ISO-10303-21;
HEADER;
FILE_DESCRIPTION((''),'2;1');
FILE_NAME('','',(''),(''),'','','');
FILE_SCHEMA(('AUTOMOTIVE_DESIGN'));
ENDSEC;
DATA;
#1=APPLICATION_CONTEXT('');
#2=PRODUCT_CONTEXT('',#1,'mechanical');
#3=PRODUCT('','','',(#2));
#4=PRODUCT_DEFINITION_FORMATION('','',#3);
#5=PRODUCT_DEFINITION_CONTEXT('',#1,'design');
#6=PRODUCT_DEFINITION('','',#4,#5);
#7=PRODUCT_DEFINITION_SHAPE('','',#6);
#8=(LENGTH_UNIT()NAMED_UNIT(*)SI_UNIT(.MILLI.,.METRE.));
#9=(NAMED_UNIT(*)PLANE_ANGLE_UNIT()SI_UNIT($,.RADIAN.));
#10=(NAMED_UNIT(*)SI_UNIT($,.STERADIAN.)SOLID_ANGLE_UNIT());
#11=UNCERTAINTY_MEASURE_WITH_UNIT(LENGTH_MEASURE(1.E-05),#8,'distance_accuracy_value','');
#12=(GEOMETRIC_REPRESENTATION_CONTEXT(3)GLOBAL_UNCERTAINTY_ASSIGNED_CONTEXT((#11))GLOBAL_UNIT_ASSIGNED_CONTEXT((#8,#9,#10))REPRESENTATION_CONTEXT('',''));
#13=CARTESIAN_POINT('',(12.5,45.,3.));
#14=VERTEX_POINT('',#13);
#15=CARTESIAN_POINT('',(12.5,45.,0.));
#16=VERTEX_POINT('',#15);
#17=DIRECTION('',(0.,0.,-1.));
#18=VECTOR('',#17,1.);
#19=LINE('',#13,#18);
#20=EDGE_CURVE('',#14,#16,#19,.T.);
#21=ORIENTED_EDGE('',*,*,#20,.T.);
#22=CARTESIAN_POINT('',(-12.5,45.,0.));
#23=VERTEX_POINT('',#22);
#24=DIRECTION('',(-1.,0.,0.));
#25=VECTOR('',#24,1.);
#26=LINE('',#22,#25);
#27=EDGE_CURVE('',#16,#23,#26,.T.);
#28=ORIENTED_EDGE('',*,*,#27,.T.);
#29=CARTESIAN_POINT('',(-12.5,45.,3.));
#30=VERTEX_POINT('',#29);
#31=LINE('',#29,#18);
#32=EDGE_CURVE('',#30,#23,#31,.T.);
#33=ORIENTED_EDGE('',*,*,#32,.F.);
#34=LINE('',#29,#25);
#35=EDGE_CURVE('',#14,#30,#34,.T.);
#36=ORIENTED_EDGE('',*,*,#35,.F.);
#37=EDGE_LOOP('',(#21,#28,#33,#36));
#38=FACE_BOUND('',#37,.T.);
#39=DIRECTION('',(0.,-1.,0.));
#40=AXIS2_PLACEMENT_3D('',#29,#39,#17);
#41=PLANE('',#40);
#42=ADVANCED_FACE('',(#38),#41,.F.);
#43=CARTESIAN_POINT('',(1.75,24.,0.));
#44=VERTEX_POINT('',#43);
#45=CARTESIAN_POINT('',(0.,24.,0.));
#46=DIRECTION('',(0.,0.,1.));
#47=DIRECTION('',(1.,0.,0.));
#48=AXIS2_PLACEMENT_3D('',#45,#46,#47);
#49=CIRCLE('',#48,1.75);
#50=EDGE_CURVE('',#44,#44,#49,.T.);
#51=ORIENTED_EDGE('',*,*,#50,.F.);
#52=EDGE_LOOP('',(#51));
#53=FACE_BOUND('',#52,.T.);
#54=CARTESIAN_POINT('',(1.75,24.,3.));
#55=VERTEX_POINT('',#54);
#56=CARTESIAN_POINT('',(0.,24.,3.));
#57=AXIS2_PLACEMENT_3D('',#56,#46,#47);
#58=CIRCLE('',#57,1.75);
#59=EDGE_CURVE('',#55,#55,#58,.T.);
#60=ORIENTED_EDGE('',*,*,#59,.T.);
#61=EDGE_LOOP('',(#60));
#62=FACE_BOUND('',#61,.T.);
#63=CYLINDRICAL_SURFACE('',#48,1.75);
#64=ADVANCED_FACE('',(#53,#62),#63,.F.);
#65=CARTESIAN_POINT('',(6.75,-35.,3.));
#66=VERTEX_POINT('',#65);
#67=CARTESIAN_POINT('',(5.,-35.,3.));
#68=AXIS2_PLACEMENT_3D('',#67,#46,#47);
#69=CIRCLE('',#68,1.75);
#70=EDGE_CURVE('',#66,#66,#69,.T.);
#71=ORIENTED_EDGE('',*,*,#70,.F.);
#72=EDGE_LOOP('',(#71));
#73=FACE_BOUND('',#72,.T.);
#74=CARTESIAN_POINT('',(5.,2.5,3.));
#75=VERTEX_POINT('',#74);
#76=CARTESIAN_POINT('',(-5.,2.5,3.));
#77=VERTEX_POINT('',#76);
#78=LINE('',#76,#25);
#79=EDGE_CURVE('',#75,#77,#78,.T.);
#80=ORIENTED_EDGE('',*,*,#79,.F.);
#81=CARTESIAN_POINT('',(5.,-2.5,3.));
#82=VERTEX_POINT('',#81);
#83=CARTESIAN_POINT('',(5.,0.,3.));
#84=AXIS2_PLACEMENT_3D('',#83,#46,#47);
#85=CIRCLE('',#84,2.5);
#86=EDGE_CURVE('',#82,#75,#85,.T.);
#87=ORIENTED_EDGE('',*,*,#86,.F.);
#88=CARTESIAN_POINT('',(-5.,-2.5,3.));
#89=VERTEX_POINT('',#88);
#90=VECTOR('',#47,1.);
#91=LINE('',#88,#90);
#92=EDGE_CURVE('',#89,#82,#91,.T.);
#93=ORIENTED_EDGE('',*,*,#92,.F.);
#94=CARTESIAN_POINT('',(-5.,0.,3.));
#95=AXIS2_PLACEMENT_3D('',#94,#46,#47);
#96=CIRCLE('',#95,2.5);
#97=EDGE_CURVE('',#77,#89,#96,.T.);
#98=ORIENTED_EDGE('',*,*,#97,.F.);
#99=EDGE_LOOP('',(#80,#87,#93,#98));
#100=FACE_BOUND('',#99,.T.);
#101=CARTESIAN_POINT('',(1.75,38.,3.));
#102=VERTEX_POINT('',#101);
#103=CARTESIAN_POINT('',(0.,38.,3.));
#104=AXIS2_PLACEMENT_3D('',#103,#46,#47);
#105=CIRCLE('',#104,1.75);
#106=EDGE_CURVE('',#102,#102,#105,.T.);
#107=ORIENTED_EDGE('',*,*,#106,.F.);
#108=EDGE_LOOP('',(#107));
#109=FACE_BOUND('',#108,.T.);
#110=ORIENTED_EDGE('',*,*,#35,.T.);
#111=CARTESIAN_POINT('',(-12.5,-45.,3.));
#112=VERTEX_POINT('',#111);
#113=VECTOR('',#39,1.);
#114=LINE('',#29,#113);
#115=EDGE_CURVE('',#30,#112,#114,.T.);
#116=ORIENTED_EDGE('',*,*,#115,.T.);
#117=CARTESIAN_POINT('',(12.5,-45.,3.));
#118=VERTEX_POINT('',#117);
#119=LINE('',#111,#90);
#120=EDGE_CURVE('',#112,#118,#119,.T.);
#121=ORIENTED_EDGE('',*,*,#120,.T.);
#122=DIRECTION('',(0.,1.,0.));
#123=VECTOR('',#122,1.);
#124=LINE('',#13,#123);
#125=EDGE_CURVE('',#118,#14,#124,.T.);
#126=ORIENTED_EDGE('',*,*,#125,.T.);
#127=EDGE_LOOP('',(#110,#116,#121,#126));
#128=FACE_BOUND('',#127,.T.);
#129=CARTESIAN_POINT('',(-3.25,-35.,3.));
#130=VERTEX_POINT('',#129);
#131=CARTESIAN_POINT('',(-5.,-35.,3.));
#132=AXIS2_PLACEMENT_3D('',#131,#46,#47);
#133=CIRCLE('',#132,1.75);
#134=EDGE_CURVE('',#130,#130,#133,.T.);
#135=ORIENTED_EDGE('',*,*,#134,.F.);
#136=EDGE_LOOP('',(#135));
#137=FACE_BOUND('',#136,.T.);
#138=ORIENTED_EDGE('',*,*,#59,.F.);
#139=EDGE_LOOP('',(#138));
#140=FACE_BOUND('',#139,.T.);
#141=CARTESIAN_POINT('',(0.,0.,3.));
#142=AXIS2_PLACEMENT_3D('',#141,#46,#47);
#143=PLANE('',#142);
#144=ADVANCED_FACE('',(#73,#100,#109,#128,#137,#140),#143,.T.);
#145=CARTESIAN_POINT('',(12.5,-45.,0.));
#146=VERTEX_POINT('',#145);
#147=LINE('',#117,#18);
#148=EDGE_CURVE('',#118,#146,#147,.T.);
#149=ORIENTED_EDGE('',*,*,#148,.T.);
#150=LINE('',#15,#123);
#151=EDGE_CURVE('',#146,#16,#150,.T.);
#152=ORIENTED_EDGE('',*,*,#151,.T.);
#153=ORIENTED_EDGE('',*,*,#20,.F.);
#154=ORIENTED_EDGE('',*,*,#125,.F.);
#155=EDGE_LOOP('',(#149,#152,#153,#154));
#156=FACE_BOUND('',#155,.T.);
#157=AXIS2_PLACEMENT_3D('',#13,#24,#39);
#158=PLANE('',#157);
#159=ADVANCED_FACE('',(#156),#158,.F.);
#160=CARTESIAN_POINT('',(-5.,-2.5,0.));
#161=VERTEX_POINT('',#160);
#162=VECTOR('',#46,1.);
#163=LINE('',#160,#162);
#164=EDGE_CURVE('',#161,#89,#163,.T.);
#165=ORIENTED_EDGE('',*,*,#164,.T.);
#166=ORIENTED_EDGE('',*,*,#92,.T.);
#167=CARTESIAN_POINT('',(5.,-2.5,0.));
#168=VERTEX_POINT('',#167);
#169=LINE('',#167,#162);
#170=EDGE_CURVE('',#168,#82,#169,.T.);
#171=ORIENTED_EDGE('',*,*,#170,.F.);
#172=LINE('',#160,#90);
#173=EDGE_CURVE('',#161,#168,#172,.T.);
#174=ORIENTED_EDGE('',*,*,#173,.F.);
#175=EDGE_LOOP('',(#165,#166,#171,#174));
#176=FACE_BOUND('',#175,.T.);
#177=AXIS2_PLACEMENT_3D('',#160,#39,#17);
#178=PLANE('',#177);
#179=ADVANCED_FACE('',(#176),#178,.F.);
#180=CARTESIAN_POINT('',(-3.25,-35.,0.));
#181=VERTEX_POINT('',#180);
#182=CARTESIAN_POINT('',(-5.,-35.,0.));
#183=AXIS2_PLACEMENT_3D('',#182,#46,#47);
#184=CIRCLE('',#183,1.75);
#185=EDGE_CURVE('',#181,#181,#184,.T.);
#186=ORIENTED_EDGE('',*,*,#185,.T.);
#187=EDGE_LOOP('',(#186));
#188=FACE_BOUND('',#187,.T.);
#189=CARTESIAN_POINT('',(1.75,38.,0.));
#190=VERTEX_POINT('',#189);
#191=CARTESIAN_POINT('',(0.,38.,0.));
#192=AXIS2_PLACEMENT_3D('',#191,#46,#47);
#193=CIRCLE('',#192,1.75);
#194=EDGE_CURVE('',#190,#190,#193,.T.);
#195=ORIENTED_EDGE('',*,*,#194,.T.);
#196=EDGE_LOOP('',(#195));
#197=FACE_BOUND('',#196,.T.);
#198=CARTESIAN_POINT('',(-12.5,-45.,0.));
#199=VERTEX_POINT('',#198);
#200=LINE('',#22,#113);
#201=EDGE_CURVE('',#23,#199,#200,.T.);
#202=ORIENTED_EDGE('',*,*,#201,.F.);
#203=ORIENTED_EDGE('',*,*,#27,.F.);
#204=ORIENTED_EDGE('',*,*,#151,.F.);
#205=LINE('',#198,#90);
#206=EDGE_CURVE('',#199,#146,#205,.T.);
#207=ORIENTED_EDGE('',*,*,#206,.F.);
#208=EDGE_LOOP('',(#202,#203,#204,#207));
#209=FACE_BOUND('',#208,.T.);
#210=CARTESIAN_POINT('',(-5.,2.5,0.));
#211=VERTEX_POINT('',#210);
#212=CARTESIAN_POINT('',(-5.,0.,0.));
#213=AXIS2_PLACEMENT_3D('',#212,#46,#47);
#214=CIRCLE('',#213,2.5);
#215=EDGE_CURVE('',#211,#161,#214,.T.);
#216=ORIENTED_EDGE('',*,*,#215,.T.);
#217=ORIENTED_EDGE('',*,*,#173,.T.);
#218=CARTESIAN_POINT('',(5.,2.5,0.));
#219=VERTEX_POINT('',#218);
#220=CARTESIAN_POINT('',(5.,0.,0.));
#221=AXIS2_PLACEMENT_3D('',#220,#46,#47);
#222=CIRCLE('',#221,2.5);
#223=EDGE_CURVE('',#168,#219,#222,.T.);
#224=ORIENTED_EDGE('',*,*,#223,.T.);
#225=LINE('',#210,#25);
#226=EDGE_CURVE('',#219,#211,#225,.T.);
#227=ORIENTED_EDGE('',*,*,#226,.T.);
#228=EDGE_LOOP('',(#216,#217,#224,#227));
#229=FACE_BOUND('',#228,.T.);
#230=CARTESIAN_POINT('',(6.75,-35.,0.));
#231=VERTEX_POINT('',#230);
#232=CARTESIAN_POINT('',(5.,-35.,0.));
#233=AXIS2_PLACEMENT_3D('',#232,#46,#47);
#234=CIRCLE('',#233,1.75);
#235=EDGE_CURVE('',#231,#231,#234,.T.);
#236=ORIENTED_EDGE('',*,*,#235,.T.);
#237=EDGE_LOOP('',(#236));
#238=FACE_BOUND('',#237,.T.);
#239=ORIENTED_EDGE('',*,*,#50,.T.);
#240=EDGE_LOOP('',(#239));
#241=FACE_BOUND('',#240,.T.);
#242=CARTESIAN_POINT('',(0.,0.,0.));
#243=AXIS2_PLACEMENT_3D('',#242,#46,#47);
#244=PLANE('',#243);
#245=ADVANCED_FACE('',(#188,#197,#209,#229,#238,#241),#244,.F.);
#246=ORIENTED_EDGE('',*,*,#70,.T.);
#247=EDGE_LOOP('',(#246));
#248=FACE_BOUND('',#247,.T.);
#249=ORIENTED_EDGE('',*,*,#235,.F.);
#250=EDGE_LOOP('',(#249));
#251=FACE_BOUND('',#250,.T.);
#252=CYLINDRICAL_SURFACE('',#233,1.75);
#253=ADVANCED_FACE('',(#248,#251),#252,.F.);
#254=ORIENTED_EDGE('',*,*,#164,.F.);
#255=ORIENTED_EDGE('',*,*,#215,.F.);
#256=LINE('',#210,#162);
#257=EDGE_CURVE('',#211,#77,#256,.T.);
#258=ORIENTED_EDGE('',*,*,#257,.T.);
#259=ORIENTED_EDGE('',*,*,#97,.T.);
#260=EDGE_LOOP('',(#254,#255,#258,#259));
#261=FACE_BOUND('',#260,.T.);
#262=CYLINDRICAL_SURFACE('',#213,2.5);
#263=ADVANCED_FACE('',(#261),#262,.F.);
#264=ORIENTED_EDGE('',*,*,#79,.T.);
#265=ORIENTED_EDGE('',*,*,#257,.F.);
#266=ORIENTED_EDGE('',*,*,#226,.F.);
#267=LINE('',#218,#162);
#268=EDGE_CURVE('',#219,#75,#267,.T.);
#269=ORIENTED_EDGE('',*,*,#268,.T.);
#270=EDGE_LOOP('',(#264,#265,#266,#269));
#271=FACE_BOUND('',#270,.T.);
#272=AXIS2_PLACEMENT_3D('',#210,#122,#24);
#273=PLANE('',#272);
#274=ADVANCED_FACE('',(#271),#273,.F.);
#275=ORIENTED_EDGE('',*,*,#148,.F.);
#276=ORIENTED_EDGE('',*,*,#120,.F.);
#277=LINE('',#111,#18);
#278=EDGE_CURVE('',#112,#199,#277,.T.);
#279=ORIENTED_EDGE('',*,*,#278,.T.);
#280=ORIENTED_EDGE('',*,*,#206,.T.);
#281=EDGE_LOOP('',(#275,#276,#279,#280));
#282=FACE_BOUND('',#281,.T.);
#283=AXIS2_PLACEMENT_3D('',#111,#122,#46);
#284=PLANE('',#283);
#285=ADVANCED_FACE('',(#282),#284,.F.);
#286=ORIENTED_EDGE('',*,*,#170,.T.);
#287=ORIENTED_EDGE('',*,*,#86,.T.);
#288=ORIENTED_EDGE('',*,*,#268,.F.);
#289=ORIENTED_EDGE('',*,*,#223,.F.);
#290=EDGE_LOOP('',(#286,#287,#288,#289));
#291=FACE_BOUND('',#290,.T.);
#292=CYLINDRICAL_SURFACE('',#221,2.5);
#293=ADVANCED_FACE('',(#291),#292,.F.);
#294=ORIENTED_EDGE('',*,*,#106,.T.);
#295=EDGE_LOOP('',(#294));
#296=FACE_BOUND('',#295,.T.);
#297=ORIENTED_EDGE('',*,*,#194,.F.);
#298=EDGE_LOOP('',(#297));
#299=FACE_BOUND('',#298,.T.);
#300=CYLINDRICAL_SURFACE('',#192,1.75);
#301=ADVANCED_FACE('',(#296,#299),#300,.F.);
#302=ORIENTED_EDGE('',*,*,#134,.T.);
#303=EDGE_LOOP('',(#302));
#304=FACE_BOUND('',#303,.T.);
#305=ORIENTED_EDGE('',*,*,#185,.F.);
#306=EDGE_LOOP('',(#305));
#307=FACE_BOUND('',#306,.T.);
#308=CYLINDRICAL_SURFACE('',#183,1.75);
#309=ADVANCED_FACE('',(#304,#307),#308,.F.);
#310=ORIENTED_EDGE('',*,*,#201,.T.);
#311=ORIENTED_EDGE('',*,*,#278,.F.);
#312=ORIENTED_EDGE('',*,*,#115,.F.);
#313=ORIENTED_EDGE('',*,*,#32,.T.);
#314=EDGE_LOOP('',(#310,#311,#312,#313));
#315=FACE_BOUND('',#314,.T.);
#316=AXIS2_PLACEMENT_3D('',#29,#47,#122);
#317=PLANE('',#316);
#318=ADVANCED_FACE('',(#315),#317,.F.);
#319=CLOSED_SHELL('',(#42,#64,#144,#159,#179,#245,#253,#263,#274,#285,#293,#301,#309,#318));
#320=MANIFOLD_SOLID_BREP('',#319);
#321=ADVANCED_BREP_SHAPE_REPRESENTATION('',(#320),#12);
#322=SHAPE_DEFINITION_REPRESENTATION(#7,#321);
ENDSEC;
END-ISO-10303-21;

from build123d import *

# Parameters (mm, degrees)
SKETCH_1_W          = 25
SKETCH_1_H          = 90
EXTRUDE_1_DEPTH     = 3
SKETCH_3_R          = 1.75
CUT_EXTRUDE_1_DEPTH = 4
CUT_EXTRUDE_2_DEPTH = 4


with BuildPart() as part:
    # 草图1 → 凸台-拉伸1 (new body)
    with BuildSketch(Plane.XY):
        Rectangle(SKETCH_1_W, SKETCH_1_H)
    extrude(amount=EXTRUDE_1_DEPTH)

    # 草图3 → 切除-拉伸1 (cut, through all)
    with BuildSketch(Plane.XY.offset(3)):
        with Locations((0, 38)):
            Circle(SKETCH_3_R)
        with Locations((0, 24)):
            Circle(SKETCH_3_R)
        with Locations((-5, -35)):
            Circle(SKETCH_3_R)
        with Locations((5, -35)):
            Circle(SKETCH_3_R)
    extrude(amount=-CUT_EXTRUDE_1_DEPTH, mode=Mode.SUBTRACT)

    # 草图4 → 切除-拉伸2 (cut, through all)
    with BuildSketch(Plane.XY.offset(3)):
        with BuildLine():
            Line((-5, 2.5), (5, 2.5))
            ThreePointArc((5, 2.5), (7.5, 0), (5, -2.5))
            Line((5, -2.5), (-5, -2.5))
            ThreePointArc((-5, -2.5), (-7.5, 0), (-5, 2.5))
        make_face()
    extrude(amount=-CUT_EXTRUDE_2_DEPTH, mode=Mode.SUBTRACT)


solid = part.part
